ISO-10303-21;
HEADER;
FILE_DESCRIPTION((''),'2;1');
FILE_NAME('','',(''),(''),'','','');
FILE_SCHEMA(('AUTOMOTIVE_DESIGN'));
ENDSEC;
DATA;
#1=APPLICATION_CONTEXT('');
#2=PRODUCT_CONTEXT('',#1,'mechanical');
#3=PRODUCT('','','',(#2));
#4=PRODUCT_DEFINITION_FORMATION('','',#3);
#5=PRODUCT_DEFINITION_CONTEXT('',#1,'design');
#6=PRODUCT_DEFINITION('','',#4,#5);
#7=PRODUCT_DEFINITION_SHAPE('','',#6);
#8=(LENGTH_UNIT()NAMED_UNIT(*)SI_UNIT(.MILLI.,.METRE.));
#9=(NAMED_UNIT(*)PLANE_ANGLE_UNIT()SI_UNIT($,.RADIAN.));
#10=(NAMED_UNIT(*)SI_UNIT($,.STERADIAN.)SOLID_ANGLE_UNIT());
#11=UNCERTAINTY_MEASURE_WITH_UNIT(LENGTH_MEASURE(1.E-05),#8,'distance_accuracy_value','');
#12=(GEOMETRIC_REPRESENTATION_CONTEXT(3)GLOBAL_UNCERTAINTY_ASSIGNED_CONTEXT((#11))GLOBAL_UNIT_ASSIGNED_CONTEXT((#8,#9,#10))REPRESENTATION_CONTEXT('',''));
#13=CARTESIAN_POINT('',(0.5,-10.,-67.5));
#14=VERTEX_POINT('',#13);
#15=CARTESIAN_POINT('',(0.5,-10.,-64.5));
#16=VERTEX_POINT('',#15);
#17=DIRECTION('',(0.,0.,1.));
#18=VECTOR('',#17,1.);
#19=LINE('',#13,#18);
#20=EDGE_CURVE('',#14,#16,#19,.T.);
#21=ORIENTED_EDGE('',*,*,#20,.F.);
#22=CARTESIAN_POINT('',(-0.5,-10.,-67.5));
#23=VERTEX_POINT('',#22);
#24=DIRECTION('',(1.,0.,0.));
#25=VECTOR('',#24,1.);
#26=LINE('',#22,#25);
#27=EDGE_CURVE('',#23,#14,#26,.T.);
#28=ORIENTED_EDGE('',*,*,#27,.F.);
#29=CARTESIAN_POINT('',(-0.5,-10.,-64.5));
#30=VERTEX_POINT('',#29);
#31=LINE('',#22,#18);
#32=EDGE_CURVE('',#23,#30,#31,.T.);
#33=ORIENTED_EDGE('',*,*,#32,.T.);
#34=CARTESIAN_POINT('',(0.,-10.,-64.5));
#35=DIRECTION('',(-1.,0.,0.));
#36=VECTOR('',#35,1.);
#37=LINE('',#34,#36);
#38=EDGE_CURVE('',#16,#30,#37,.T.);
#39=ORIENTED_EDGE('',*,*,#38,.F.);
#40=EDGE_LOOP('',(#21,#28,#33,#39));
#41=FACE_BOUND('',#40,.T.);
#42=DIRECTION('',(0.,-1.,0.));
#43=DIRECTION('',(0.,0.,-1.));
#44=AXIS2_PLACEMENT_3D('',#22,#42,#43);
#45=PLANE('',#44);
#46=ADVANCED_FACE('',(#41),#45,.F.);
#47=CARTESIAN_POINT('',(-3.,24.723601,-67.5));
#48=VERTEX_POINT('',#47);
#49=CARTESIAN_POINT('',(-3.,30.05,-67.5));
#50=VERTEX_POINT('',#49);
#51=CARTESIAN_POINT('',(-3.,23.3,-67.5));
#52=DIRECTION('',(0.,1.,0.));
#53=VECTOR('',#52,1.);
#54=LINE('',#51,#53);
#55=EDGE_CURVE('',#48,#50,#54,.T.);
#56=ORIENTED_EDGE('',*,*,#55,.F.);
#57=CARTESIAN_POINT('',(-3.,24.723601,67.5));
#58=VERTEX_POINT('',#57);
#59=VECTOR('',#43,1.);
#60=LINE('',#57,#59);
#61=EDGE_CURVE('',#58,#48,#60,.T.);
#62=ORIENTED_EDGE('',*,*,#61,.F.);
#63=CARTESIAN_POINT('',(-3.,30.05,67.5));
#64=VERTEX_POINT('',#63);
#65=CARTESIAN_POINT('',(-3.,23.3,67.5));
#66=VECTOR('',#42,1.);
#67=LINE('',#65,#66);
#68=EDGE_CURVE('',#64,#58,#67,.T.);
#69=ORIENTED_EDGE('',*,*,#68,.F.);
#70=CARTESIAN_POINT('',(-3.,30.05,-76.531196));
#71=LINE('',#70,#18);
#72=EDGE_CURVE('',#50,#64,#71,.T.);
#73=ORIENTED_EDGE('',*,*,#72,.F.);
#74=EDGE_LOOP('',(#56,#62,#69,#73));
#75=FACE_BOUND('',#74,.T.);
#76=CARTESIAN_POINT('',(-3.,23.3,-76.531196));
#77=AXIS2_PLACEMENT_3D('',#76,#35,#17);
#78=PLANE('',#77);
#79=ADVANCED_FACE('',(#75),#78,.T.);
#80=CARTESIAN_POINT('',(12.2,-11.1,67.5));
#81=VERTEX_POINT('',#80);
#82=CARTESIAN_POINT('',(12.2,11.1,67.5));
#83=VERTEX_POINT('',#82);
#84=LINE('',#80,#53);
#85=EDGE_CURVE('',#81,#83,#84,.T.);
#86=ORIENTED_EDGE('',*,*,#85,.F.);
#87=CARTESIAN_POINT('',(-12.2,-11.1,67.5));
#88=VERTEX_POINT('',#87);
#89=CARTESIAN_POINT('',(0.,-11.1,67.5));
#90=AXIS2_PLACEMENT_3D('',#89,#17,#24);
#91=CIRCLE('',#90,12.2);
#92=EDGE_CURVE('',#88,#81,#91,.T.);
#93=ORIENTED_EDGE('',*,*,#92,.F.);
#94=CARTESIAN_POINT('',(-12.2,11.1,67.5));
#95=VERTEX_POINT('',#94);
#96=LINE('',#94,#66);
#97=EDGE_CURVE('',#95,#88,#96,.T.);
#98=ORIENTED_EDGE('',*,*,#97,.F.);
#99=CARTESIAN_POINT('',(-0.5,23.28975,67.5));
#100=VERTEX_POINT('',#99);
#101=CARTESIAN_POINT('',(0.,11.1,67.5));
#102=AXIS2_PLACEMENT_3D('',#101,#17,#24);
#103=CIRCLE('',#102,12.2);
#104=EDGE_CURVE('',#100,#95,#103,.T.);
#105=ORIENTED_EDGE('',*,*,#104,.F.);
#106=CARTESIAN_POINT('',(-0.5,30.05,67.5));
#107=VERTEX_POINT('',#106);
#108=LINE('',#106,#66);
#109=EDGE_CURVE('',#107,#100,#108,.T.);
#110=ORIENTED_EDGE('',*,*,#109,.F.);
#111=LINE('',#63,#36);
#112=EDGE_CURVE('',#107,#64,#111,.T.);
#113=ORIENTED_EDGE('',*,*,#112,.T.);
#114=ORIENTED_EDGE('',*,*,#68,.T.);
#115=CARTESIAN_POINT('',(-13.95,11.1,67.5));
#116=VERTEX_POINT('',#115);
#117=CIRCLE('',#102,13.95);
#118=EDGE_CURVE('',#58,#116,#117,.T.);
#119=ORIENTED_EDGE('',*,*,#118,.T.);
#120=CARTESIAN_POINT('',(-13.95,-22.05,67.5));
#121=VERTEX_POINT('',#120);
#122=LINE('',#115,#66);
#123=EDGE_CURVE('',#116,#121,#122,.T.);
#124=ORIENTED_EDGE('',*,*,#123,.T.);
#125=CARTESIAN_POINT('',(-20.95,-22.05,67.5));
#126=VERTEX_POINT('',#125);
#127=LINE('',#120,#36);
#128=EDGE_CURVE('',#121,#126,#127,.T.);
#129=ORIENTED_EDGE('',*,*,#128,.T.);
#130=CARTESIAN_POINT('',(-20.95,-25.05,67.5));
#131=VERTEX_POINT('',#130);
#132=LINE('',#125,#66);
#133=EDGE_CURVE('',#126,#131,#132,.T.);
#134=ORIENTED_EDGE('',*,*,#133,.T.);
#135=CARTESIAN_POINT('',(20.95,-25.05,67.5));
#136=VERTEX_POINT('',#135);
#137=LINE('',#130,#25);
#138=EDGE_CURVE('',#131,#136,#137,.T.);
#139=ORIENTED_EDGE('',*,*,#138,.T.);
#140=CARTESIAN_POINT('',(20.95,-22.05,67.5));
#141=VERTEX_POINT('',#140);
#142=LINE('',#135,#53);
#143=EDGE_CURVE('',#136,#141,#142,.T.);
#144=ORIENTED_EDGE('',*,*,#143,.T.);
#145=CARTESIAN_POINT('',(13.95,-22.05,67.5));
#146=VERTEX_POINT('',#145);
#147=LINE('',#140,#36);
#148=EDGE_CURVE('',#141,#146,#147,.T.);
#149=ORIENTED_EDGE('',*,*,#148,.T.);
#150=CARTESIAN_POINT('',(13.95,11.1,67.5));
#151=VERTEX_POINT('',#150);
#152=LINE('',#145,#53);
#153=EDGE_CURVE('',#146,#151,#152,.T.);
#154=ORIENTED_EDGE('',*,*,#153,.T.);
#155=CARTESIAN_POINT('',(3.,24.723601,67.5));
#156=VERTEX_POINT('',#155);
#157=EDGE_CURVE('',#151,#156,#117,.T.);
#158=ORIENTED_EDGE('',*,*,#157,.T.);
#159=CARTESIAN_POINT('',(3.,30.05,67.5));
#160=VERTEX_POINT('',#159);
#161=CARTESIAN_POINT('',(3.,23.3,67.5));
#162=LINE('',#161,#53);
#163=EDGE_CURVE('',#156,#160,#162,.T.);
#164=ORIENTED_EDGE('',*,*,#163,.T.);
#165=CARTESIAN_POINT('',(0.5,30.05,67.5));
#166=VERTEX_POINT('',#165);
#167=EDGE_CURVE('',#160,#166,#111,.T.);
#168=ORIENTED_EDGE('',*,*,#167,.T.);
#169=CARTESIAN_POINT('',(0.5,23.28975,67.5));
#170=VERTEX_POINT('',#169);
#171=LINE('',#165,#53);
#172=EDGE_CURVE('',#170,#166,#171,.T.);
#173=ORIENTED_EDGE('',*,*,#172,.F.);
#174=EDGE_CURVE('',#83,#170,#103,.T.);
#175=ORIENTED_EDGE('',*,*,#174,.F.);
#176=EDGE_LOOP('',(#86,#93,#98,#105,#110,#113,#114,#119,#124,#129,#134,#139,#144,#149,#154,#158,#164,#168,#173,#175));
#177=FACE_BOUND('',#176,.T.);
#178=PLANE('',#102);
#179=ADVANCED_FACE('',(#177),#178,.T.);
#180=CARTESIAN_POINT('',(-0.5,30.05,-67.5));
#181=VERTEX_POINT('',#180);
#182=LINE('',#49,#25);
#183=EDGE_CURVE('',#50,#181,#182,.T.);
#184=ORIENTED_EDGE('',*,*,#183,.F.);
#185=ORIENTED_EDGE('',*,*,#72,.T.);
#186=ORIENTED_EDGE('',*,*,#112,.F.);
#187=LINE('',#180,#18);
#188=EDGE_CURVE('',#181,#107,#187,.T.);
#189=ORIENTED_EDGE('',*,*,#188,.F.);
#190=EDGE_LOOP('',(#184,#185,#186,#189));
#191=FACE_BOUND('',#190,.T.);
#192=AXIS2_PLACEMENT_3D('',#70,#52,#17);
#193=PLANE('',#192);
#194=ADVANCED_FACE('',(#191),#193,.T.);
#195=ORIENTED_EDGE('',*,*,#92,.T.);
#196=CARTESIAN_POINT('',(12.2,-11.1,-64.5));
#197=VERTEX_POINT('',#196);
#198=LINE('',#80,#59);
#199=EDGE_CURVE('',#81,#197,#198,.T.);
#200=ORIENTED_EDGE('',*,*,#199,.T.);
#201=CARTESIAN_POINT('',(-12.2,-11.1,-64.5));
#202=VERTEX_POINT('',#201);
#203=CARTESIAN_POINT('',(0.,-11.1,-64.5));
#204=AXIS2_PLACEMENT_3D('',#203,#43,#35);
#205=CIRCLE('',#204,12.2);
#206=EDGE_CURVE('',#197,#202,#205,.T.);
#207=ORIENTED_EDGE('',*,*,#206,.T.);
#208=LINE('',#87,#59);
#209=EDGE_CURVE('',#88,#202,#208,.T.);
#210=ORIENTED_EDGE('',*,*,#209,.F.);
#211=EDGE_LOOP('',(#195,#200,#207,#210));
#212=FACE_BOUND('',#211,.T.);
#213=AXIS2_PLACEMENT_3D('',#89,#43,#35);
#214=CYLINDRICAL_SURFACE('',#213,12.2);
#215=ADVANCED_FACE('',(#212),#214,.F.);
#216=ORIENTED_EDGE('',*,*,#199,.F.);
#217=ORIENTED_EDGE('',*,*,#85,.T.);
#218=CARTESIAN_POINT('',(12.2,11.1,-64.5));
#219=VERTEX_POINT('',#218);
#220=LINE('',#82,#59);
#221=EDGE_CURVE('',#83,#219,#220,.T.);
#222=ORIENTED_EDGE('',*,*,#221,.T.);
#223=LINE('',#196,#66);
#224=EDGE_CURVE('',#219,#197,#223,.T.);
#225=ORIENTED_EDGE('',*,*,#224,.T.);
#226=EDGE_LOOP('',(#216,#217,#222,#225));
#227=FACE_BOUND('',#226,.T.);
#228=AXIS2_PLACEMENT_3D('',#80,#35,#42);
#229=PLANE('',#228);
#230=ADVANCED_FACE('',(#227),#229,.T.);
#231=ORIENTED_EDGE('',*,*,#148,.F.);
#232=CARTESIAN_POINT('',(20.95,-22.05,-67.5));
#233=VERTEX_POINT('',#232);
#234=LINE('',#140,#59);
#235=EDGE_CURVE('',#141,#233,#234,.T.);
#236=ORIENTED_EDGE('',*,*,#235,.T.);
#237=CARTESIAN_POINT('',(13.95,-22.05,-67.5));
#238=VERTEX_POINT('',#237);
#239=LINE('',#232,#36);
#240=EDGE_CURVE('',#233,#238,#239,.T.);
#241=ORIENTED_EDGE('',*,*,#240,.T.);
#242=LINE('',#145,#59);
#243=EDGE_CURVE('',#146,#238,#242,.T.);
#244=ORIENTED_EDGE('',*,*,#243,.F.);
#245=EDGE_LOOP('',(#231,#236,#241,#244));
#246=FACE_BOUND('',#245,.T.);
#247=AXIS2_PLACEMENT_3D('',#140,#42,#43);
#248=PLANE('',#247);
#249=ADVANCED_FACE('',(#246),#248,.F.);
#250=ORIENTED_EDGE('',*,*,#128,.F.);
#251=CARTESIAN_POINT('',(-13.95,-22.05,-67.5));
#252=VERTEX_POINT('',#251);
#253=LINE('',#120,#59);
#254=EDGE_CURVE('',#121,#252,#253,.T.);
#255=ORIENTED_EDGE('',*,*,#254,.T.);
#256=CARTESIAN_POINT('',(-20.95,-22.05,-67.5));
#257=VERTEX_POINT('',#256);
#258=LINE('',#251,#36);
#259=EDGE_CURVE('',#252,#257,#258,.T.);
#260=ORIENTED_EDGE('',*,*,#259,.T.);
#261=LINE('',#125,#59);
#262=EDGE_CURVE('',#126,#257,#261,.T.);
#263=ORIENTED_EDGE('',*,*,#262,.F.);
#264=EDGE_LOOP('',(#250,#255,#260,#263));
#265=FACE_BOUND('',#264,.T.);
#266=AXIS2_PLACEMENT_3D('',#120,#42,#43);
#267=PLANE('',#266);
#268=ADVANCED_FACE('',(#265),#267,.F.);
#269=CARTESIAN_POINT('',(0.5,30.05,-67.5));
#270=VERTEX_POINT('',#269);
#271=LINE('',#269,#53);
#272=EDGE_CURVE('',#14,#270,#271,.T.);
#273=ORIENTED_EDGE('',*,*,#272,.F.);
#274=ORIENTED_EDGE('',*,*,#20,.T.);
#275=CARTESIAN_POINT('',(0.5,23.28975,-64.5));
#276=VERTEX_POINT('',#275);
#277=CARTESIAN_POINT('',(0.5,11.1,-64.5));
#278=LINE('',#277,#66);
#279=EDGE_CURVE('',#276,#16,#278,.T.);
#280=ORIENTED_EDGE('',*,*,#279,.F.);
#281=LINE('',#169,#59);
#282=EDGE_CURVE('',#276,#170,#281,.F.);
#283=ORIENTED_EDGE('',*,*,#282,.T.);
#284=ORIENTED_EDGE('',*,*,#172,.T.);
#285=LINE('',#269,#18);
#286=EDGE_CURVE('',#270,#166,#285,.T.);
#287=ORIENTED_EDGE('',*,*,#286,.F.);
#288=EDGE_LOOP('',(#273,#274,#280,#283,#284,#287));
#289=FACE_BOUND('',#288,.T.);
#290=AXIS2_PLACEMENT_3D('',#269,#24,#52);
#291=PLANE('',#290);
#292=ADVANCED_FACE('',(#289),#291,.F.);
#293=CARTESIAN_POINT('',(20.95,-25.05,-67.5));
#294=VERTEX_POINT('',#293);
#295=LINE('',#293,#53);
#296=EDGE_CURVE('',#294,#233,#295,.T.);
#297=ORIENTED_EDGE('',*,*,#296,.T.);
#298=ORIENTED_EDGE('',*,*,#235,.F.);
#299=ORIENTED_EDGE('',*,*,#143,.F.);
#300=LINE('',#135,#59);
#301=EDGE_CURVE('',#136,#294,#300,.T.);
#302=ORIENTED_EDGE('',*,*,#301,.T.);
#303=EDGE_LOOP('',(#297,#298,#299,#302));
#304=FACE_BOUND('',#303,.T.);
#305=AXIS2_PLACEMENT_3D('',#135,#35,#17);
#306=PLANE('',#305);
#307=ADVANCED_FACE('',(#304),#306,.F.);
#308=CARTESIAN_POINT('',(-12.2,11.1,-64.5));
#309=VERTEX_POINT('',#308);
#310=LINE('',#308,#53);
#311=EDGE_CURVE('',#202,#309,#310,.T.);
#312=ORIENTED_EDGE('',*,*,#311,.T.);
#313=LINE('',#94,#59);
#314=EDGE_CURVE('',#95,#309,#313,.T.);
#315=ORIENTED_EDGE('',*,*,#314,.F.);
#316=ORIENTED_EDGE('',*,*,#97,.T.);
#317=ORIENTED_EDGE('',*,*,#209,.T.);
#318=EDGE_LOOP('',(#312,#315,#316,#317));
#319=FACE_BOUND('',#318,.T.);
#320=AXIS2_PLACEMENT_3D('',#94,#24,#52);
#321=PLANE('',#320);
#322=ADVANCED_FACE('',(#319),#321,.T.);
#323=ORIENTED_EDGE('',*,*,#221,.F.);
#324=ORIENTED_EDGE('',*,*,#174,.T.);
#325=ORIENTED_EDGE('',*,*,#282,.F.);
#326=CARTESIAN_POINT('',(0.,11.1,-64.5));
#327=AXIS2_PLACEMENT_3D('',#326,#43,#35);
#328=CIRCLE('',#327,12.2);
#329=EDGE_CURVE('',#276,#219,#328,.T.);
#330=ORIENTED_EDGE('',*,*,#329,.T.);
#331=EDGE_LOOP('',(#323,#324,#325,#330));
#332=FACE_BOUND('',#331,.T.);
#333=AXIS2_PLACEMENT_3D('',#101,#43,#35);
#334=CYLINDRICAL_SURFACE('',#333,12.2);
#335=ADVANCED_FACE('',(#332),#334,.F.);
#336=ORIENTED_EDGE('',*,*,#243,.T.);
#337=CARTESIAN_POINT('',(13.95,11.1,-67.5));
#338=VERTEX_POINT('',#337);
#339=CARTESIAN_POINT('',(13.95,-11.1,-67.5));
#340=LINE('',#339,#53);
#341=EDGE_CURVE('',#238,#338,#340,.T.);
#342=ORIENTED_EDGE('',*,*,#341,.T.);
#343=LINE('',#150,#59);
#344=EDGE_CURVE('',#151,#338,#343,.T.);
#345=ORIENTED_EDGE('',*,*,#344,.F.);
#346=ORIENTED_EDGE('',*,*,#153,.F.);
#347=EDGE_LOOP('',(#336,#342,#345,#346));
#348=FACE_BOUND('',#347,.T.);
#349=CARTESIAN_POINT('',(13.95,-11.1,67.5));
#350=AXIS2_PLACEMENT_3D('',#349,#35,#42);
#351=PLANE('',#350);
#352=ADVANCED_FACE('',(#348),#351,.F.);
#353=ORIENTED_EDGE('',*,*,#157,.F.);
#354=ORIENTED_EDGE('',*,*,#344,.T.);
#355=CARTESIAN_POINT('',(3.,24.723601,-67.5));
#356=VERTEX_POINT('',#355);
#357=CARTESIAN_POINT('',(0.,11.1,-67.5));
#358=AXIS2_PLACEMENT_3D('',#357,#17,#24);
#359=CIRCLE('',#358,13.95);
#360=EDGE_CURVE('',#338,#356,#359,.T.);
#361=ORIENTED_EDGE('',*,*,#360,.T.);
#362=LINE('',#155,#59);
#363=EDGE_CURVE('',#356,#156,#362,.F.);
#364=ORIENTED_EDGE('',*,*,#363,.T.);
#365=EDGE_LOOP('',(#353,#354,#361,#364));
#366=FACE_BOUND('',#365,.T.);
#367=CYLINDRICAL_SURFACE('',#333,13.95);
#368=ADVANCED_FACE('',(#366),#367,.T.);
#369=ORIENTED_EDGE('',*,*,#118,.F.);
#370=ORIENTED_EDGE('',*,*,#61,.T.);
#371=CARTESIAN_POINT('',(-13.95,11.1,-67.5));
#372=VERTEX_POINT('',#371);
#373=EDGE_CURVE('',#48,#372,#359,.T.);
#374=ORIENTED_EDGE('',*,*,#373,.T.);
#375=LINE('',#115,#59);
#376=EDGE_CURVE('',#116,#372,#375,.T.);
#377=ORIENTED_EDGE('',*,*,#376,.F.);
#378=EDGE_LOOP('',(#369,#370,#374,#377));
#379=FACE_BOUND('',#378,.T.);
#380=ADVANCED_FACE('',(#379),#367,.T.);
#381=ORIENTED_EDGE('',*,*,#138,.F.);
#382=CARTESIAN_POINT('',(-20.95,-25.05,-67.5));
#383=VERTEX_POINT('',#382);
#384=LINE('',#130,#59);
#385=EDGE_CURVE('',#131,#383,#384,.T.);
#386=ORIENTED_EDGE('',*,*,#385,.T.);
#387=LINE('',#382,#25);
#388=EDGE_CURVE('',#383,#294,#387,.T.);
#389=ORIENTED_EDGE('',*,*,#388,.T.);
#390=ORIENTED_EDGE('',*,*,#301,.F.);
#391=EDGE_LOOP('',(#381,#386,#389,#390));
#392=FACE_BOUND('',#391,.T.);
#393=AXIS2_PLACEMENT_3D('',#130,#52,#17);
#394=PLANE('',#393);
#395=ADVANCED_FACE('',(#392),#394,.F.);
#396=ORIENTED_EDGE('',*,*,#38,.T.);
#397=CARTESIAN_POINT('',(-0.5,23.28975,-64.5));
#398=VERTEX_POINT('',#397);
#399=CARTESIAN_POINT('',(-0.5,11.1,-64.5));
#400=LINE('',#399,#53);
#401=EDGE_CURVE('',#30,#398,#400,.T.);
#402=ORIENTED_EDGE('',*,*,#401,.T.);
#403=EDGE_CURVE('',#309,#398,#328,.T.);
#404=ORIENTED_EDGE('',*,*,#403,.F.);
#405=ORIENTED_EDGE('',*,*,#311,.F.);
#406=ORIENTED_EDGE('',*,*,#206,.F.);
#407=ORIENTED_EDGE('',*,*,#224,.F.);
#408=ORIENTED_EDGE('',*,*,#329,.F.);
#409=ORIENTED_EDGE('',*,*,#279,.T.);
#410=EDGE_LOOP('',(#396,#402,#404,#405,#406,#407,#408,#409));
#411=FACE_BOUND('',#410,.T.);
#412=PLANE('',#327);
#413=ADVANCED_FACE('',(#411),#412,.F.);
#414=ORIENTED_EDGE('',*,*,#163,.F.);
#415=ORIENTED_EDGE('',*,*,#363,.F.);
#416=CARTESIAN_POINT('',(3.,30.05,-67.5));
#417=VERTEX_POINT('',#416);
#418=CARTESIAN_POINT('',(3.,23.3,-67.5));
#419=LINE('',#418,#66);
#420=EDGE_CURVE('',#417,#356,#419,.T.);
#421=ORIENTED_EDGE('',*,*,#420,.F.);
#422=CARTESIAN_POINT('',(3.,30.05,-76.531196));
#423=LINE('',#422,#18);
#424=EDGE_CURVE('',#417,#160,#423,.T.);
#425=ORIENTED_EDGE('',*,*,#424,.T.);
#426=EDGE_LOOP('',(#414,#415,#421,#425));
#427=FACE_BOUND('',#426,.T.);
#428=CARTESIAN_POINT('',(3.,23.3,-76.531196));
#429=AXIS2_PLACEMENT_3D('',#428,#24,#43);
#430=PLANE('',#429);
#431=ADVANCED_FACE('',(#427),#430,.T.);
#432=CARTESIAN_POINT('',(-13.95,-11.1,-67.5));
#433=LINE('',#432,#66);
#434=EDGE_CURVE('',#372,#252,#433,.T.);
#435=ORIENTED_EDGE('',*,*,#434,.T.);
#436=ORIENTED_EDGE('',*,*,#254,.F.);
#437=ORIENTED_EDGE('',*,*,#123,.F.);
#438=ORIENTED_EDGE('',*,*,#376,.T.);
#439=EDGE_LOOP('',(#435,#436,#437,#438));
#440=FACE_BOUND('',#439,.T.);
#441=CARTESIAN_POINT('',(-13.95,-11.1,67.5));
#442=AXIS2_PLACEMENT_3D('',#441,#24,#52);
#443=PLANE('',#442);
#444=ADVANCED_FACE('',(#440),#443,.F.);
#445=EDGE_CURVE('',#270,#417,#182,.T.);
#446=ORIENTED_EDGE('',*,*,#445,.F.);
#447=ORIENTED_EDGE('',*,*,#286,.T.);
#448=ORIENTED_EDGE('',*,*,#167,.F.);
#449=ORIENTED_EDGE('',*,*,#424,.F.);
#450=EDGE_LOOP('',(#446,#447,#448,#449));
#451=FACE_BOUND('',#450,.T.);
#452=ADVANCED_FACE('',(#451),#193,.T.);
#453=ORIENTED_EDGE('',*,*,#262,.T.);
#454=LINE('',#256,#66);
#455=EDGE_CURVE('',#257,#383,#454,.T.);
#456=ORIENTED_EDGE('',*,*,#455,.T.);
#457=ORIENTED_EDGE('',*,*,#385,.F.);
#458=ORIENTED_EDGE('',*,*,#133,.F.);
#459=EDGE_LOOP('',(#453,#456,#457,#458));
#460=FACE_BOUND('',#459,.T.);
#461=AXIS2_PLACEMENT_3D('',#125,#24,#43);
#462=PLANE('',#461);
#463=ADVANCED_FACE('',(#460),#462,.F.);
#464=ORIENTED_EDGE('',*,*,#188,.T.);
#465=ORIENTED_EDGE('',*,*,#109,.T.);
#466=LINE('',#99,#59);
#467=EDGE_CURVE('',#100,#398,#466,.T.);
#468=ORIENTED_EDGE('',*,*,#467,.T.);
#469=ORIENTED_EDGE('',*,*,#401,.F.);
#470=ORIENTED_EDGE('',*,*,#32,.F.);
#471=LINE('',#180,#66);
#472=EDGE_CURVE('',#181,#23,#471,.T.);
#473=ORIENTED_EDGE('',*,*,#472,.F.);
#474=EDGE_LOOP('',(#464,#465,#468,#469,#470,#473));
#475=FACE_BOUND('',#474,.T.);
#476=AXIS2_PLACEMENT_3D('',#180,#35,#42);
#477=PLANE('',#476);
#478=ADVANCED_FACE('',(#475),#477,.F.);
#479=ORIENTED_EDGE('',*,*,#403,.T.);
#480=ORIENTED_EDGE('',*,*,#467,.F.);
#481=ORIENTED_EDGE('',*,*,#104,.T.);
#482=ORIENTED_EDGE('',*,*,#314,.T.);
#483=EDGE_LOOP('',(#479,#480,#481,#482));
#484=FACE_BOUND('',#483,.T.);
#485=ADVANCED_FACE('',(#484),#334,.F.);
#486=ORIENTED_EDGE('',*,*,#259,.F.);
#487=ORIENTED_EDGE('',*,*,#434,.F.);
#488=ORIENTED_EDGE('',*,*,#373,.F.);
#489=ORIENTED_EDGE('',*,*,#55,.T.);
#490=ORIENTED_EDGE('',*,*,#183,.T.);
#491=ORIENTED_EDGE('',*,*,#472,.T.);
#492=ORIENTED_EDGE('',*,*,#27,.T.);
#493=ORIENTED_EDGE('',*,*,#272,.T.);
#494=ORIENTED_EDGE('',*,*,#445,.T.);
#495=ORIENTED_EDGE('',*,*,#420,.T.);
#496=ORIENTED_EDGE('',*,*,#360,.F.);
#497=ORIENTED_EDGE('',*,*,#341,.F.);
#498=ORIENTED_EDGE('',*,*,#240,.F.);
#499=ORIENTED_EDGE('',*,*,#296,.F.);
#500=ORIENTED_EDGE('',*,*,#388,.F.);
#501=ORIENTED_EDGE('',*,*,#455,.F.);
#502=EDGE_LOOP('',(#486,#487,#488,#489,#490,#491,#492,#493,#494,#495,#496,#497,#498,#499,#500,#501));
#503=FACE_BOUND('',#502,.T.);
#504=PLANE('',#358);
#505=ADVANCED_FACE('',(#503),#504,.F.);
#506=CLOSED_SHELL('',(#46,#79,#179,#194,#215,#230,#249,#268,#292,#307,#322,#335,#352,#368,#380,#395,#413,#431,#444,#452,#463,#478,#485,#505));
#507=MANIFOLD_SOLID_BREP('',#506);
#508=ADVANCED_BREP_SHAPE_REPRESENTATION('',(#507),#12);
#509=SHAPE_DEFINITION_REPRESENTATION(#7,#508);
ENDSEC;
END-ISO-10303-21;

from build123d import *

# Parameters (mm, degrees)
BOSS_EXTRUDE1_DEPTH = 67.5
BOSS_EXTRUDE2_START = -3
BOSS_EXTRUDE2_DEPTH = 3
SKETCH6_W           = 6
SKETCH6_H           = 6.75
BOSS_EXTRUDE3_DEPTH = 135
SKETCH7_W           = 1
SKETCH7_H           = 40.05
CUT_EXTRUDE2_DEPTH  = 140.881753635


with BuildPart() as part:
    # Sketch2 → Boss-Extrude1 (new, symmetric)
    with BuildSketch(Plane.XY):
        with BuildLine():
            Line((-13.95, 11.1), (-13.95, -11.1))
            Line((-13.95, -11.1), (-13.95, -22.05))
            Line((-13.95, -22.05), (-20.95, -22.05))
            Line((-20.95, -22.05), (-20.95, -25.05))
            Line((-20.95, -25.05), (20.95, -25.05))
            Line((20.95, -25.05), (20.95, -22.05))
            Line((20.95, -22.05), (13.95, -22.05))
            Line((13.95, -22.05), (13.95, -11.1))
            Line((13.95, -11.1), (13.95, 11.1))
            ThreePointArc((13.95, 11.1), (0, 25.05), (-13.95, 11.1))
        make_face()
        with BuildLine():
            Line((12.2, -11.1), (12.2, 11.1))
            ThreePointArc((12.2, 11.1), (0, 23.3), (-12.2, 11.1))
            Line((-12.2, 11.1), (-12.2, -11.1))
            ThreePointArc((-12.2, -11.1), (0, -23.3), (12.2, -11.1))
        make_face(mode=Mode.SUBTRACT)
    extrude(amount=BOSS_EXTRUDE1_DEPTH, both=True)

    # Sketch5 → Boss-Extrude2 (add)
    with BuildSketch(Plane(origin=(0, 0, -67.5), x_dir=(-1, 0, 0), z_dir=(0, 0, -1)).offset(BOSS_EXTRUDE2_START)):
        with BuildLine():
            Line((-13.95, 11.1), (-13.95, -22.05))
            Line((-13.95, -22.05), (-20.95, -22.05))
            Line((-20.95, -22.05), (-20.95, -25.05))
            Line((-20.95, -25.05), (20.95, -25.05))
            Line((20.95, -25.05), (20.95, -22.05))
            Line((20.95, -22.05), (13.95, -22.05))
            Line((13.95, -22.05), (13.95, 11.1))
            ThreePointArc((13.95, 11.1), (0, 25.05), (-13.95, 11.1))
        make_face()
    extrude(amount=BOSS_EXTRUDE2_DEPTH)

    # Sketch6 → Boss-Extrude3 (add)
    with BuildSketch(Plane.XY.offset(67.5)):
        with Locations((0, 26.675)):
            Rectangle(SKETCH6_W, SKETCH6_H)
    extrude(amount=-BOSS_EXTRUDE3_DEPTH)

    # Sketch7 → Cut-Extrude2 (cut, through all)
    with BuildSketch(Plane.XY.offset(67.5)):
        with Locations((0, 10.025)):
            Rectangle(SKETCH7_W, SKETCH7_H)
    extrude(amount=-CUT_EXTRUDE2_DEPTH, mode=Mode.SUBTRACT)


solid = part.part
